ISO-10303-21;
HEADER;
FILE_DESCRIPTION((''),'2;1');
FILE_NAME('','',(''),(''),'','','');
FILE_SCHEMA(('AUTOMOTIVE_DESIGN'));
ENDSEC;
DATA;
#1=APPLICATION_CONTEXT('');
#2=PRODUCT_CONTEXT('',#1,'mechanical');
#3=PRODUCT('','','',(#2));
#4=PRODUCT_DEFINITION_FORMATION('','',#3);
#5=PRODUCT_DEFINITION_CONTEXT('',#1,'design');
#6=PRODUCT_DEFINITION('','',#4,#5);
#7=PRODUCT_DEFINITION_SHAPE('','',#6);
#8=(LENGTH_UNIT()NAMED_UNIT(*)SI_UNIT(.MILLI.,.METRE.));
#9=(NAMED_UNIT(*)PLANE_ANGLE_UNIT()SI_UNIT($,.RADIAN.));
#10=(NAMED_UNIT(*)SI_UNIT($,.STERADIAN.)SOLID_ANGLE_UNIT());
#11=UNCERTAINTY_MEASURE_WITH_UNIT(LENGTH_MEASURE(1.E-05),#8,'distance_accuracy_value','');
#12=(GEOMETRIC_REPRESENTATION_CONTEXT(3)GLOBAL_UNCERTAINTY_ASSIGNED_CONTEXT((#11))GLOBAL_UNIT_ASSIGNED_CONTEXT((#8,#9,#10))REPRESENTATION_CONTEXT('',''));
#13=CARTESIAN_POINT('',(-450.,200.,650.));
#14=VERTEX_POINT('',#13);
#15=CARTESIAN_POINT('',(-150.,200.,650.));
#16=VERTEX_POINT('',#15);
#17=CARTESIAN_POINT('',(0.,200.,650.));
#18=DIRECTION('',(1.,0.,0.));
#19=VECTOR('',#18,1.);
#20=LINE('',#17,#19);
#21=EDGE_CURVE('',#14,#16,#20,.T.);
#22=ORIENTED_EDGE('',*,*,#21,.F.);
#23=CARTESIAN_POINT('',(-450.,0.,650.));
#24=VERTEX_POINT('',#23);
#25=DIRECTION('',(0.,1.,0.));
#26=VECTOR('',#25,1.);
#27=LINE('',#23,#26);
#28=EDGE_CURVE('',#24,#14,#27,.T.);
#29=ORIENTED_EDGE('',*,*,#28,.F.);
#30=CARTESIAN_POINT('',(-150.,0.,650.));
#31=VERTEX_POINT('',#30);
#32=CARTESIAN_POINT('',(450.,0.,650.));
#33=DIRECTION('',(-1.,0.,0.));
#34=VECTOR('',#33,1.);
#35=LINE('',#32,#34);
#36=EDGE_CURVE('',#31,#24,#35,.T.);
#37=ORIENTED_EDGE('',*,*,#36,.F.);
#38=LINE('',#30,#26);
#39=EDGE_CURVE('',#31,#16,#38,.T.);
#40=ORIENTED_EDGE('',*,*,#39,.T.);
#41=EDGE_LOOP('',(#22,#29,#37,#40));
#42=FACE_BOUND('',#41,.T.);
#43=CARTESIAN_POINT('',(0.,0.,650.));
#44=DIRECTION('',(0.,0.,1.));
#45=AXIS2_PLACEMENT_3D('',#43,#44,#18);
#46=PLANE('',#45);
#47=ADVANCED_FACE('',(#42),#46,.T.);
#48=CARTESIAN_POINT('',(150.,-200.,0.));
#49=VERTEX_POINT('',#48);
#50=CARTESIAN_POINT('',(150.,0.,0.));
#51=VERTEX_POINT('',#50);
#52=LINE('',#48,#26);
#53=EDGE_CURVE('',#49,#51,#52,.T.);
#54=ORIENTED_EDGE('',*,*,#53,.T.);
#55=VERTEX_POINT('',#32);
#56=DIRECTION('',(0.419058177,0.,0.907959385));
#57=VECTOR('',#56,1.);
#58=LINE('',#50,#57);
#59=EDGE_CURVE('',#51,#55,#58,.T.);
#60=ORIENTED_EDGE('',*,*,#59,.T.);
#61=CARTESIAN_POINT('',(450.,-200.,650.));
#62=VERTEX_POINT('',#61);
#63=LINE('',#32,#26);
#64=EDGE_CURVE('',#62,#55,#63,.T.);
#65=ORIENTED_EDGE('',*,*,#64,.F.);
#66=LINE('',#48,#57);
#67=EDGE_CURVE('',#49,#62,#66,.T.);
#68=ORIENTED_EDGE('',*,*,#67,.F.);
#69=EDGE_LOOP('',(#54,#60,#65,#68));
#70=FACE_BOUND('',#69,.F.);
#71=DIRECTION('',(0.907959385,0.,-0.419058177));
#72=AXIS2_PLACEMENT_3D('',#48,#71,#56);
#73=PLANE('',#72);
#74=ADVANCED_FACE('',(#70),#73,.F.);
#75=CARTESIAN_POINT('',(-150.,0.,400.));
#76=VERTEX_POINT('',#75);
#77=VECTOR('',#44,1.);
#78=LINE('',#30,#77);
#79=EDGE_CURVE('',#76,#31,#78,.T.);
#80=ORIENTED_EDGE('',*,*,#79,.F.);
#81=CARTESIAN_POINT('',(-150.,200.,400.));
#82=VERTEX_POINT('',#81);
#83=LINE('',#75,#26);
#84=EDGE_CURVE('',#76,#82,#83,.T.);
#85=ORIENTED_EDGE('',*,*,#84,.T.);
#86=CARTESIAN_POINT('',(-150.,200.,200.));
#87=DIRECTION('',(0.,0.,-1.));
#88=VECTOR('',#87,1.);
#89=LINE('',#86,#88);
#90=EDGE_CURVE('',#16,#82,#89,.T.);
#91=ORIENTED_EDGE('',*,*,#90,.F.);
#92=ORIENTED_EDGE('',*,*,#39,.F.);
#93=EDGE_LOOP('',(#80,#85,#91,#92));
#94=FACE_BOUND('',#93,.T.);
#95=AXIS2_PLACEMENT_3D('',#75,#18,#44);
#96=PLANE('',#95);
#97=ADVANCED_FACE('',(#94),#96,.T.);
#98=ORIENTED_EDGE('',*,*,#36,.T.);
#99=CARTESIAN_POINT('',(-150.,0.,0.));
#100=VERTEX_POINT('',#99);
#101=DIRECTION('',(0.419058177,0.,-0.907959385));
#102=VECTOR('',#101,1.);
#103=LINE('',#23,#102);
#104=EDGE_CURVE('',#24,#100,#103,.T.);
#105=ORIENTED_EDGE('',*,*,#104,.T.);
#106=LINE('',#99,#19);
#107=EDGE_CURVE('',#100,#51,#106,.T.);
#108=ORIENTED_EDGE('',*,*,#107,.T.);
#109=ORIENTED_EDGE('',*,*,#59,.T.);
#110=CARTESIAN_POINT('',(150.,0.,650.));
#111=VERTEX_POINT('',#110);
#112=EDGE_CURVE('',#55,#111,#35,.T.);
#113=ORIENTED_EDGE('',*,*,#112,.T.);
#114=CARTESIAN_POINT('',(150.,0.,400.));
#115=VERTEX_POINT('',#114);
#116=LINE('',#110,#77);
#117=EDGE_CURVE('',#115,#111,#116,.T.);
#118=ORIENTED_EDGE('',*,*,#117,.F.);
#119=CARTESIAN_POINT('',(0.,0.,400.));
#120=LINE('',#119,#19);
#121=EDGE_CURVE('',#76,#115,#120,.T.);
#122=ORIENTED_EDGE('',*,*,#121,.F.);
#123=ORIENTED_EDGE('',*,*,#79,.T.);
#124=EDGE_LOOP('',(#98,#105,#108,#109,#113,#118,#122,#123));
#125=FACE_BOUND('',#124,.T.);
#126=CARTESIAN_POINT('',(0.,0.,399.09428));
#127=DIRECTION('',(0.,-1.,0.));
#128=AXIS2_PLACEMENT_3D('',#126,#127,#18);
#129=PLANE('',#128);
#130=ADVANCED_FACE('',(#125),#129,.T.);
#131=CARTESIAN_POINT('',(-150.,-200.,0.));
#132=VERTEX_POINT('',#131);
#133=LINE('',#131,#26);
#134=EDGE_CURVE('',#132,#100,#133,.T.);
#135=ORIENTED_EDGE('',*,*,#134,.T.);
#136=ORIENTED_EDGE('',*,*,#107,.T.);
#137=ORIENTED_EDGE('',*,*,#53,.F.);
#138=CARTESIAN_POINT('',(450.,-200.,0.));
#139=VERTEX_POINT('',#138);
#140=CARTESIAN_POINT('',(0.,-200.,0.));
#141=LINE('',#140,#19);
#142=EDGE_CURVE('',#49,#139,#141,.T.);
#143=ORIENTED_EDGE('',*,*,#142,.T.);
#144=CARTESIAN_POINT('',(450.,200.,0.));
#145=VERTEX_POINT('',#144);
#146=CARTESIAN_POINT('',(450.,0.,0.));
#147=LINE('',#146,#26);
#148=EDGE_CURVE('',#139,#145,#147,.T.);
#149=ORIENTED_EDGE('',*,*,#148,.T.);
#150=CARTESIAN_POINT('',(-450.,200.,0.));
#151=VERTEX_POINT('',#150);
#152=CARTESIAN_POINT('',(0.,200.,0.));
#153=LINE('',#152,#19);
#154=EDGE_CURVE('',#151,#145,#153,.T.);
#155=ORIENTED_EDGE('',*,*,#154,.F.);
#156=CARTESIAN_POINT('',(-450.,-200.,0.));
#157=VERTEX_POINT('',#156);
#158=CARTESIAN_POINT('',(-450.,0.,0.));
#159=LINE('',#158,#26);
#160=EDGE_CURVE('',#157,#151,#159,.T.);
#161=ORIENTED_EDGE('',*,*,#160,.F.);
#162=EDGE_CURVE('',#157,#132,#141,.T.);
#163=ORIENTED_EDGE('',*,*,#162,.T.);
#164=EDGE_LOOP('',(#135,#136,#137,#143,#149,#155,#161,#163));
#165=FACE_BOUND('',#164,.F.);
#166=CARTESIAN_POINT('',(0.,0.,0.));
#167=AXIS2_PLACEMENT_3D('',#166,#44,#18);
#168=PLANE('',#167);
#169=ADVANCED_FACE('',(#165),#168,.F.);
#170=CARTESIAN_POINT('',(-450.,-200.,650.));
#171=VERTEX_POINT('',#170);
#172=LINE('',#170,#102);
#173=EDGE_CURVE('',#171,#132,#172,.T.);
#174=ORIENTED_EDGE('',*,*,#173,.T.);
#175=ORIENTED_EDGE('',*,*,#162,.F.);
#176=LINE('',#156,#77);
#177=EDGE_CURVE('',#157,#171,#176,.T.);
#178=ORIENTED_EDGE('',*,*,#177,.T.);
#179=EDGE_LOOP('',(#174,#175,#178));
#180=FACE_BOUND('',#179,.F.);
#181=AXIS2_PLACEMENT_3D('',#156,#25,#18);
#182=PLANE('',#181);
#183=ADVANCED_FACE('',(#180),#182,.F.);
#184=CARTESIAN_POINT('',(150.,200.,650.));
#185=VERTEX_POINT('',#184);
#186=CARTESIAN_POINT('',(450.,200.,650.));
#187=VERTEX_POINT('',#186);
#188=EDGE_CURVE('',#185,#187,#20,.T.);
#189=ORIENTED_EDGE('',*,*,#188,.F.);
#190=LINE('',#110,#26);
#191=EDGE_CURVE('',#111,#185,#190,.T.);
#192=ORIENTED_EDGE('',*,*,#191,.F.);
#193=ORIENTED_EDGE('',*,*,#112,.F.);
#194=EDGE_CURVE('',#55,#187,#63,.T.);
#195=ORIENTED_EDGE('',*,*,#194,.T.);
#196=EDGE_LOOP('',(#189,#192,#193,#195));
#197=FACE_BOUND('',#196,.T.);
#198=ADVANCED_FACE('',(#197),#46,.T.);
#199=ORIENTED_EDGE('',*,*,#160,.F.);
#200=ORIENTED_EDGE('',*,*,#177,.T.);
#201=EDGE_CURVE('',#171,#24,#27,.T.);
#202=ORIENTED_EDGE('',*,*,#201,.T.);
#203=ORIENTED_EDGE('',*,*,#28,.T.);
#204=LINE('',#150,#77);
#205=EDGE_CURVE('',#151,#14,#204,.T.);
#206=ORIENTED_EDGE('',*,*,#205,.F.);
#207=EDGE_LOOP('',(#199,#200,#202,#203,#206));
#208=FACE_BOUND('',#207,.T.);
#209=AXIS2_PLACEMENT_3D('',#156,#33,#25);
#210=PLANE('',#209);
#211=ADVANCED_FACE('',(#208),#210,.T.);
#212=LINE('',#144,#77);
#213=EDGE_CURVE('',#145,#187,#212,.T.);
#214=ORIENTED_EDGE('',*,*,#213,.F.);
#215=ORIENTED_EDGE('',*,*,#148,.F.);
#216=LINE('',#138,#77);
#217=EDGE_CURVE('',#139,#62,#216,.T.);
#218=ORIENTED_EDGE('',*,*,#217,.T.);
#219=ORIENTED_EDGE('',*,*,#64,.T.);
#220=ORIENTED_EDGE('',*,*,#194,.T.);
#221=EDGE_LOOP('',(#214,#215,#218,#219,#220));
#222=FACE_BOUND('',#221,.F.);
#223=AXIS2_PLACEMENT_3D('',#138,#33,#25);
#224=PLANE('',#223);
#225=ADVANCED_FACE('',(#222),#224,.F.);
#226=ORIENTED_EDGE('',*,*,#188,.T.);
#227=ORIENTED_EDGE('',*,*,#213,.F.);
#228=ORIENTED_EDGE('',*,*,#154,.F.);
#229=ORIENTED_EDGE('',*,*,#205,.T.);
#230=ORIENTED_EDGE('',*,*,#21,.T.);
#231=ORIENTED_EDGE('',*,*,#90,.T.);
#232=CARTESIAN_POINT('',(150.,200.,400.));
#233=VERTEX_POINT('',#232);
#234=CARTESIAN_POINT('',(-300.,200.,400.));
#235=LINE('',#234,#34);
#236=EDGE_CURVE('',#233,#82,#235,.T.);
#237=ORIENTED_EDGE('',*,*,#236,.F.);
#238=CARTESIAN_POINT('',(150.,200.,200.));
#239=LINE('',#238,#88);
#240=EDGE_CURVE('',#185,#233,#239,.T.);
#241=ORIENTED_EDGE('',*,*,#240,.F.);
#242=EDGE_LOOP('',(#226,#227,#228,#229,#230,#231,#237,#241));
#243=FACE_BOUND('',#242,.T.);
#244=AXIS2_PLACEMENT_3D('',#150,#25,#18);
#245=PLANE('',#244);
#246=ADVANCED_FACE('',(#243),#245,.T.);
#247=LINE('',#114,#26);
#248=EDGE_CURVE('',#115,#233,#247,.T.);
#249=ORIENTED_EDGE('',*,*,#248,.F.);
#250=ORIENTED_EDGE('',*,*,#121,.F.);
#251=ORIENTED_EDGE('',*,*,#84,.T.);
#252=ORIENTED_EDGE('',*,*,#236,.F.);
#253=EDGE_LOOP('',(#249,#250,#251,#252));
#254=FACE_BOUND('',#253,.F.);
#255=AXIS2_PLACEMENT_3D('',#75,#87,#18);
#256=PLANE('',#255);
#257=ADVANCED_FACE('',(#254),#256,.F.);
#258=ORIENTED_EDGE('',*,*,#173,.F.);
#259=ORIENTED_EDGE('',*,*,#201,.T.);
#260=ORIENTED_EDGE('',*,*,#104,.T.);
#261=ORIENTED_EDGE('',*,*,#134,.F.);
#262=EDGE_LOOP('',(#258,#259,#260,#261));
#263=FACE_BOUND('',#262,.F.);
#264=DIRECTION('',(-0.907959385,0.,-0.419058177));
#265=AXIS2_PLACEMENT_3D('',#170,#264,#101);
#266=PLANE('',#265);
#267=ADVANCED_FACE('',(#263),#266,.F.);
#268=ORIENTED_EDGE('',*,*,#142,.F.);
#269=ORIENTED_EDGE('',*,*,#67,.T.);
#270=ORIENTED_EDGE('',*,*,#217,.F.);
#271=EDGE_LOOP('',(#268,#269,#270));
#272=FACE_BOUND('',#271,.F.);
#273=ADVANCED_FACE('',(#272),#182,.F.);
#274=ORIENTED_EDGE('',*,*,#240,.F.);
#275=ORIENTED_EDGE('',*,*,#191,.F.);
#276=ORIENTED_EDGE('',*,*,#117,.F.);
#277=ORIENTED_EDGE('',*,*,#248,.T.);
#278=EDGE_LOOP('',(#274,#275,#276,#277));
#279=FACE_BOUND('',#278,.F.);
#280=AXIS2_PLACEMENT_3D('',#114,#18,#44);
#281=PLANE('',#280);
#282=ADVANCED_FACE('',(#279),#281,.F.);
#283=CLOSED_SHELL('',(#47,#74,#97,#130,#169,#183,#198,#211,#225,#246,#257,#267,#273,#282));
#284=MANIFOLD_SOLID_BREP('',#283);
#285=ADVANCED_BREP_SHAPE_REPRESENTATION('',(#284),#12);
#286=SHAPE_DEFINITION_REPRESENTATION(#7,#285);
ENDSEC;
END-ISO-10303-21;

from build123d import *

# Parameters (mm, degrees)
F0_W     = 900
F0_H     = 400
F1_DEPTH = 650
F3_DEPTH = 200
F4_W     = 300
F4_H     = 500
F5_DEPTH = 200.001


with BuildPart() as f1:
    # F0 (on Top) → F1 (new body)
    with BuildSketch(Plane.XY):
        Rectangle(F0_W, F0_H)
    extrude(amount=F1_DEPTH)

    # F2 (on face) → F3 (cut)
    with BuildSketch(Plane.XZ.offset(200)):
        Polygon((450, 650), (-450, 650), (-150, 0), (150, 0), align=None)
    extrude(amount=-F3_DEPTH, mode=Mode.SUBTRACT)

    # F4 (on face) → F5 (cut, through all)
    with BuildSketch(Plane.XZ):
        with Locations((0, 650)):
            Rectangle(F4_W, F4_H)
    extrude(amount=-F5_DEPTH, mode=Mode.SUBTRACT)


solid = f1.part
